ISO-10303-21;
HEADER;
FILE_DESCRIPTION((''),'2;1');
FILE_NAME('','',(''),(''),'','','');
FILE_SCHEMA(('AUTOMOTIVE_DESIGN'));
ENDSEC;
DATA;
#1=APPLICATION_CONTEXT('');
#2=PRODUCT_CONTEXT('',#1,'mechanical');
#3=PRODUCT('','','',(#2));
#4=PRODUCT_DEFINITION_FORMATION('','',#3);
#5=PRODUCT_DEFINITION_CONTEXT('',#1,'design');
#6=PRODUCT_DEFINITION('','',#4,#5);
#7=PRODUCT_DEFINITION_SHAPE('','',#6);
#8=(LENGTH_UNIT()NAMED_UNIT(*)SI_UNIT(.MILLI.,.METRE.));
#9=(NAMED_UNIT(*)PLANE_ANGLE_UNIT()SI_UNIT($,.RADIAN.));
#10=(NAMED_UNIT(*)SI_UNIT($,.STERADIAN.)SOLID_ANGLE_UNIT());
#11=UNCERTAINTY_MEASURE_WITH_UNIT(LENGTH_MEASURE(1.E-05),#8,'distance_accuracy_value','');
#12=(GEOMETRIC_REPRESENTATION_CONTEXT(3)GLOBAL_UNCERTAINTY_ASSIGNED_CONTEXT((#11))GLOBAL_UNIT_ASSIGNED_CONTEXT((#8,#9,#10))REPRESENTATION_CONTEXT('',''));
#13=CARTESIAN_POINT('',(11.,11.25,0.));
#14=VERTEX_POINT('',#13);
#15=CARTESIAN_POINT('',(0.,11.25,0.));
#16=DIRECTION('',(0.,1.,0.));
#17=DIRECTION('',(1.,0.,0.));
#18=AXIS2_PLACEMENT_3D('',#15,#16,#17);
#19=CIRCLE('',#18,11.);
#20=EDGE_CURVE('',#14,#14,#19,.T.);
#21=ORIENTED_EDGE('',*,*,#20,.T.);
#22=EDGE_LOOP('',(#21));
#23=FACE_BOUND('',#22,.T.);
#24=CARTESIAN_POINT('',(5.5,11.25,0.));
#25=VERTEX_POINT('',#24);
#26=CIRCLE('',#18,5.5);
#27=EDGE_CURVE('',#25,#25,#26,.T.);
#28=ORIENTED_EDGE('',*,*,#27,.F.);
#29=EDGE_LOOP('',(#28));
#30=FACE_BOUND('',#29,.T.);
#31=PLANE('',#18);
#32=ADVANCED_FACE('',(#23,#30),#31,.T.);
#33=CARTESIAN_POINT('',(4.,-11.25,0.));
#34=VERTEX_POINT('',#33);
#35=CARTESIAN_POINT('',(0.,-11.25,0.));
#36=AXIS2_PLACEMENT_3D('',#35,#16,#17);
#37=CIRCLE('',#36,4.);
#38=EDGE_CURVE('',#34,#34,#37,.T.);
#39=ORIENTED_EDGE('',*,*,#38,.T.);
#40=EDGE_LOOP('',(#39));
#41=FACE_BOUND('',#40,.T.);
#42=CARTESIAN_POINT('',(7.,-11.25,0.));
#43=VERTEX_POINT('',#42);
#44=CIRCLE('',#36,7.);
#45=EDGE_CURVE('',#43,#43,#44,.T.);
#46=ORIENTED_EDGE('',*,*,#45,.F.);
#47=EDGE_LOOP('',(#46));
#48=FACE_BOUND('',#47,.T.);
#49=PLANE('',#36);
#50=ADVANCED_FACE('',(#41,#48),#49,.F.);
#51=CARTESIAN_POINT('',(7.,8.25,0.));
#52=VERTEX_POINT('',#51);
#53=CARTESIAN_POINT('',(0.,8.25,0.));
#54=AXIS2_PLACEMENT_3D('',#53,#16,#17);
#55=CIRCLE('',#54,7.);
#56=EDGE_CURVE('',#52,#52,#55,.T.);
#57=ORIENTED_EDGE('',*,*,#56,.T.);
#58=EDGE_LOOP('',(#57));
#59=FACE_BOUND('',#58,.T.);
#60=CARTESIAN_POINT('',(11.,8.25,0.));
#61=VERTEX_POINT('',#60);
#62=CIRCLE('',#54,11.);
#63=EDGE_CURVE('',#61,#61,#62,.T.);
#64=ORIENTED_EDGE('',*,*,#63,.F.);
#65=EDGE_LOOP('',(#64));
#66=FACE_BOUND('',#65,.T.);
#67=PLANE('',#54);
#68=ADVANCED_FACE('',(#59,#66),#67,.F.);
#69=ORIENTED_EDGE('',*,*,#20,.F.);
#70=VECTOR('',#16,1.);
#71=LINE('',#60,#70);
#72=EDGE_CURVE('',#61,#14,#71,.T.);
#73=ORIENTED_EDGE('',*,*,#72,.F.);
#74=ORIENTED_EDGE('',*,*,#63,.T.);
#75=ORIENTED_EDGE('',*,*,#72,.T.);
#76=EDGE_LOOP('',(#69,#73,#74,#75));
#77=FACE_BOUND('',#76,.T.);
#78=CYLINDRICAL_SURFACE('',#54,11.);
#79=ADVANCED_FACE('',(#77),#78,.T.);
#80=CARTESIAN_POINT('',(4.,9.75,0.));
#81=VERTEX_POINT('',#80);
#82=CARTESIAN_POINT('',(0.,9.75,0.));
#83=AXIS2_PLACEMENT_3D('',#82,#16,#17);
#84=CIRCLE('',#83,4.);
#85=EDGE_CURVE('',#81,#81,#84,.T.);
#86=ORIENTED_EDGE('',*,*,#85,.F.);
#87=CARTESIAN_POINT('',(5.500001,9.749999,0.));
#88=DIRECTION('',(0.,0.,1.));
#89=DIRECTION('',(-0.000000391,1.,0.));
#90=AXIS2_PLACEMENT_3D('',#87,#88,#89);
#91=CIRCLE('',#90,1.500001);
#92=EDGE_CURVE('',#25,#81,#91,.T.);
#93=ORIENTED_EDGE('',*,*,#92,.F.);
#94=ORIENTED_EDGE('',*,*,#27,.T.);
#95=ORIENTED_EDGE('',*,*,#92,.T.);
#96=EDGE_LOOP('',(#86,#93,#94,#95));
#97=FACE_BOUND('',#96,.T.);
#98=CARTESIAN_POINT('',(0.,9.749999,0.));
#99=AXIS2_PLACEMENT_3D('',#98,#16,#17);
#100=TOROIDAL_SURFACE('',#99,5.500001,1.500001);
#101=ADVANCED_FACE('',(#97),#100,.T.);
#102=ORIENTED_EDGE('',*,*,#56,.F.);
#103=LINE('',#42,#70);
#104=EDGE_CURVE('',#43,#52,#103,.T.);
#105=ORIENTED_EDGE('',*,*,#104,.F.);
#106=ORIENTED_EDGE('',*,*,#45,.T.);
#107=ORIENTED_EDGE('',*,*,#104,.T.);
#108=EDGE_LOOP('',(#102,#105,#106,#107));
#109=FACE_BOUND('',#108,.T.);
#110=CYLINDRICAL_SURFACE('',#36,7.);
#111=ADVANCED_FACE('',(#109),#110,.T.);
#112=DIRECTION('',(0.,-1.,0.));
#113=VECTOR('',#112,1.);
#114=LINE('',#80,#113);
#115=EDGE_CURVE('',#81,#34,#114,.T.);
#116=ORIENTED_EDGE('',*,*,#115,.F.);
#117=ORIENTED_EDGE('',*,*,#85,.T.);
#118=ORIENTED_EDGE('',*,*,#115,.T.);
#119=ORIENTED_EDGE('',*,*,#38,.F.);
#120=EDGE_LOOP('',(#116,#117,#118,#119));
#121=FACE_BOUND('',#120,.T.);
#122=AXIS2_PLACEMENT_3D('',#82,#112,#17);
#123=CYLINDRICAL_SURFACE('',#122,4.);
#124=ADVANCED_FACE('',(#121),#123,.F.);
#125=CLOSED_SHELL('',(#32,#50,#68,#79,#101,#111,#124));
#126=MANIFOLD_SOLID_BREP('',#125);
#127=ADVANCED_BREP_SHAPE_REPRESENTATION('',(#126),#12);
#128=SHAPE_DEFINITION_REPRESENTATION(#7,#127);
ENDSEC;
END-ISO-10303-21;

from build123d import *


with BuildPart() as part:
    # Sketch → Revolution (revolve)
    with BuildSketch(Plane.XY):
        with BuildLine():
            Line((4, 9.75), (4, -11.25))
            Line((4, -11.25), (7, -11.25))
            Line((7, -11.25), (7, 8.25))
            Line((7, 8.25), (11, 8.25))
            Line((11, 8.25), (11, 11.25))
            Line((11, 11.25), (7, 11.25))
            Line((7, 11.25), (5.5, 11.25))
            ThreePointArc((5.5, 11.25), (4.43934, 10.81066), (4, 9.75))
        make_face()
    revolve(axis=Axis((0, 0, 0), (0, 1, 0)))


solid = part.part
